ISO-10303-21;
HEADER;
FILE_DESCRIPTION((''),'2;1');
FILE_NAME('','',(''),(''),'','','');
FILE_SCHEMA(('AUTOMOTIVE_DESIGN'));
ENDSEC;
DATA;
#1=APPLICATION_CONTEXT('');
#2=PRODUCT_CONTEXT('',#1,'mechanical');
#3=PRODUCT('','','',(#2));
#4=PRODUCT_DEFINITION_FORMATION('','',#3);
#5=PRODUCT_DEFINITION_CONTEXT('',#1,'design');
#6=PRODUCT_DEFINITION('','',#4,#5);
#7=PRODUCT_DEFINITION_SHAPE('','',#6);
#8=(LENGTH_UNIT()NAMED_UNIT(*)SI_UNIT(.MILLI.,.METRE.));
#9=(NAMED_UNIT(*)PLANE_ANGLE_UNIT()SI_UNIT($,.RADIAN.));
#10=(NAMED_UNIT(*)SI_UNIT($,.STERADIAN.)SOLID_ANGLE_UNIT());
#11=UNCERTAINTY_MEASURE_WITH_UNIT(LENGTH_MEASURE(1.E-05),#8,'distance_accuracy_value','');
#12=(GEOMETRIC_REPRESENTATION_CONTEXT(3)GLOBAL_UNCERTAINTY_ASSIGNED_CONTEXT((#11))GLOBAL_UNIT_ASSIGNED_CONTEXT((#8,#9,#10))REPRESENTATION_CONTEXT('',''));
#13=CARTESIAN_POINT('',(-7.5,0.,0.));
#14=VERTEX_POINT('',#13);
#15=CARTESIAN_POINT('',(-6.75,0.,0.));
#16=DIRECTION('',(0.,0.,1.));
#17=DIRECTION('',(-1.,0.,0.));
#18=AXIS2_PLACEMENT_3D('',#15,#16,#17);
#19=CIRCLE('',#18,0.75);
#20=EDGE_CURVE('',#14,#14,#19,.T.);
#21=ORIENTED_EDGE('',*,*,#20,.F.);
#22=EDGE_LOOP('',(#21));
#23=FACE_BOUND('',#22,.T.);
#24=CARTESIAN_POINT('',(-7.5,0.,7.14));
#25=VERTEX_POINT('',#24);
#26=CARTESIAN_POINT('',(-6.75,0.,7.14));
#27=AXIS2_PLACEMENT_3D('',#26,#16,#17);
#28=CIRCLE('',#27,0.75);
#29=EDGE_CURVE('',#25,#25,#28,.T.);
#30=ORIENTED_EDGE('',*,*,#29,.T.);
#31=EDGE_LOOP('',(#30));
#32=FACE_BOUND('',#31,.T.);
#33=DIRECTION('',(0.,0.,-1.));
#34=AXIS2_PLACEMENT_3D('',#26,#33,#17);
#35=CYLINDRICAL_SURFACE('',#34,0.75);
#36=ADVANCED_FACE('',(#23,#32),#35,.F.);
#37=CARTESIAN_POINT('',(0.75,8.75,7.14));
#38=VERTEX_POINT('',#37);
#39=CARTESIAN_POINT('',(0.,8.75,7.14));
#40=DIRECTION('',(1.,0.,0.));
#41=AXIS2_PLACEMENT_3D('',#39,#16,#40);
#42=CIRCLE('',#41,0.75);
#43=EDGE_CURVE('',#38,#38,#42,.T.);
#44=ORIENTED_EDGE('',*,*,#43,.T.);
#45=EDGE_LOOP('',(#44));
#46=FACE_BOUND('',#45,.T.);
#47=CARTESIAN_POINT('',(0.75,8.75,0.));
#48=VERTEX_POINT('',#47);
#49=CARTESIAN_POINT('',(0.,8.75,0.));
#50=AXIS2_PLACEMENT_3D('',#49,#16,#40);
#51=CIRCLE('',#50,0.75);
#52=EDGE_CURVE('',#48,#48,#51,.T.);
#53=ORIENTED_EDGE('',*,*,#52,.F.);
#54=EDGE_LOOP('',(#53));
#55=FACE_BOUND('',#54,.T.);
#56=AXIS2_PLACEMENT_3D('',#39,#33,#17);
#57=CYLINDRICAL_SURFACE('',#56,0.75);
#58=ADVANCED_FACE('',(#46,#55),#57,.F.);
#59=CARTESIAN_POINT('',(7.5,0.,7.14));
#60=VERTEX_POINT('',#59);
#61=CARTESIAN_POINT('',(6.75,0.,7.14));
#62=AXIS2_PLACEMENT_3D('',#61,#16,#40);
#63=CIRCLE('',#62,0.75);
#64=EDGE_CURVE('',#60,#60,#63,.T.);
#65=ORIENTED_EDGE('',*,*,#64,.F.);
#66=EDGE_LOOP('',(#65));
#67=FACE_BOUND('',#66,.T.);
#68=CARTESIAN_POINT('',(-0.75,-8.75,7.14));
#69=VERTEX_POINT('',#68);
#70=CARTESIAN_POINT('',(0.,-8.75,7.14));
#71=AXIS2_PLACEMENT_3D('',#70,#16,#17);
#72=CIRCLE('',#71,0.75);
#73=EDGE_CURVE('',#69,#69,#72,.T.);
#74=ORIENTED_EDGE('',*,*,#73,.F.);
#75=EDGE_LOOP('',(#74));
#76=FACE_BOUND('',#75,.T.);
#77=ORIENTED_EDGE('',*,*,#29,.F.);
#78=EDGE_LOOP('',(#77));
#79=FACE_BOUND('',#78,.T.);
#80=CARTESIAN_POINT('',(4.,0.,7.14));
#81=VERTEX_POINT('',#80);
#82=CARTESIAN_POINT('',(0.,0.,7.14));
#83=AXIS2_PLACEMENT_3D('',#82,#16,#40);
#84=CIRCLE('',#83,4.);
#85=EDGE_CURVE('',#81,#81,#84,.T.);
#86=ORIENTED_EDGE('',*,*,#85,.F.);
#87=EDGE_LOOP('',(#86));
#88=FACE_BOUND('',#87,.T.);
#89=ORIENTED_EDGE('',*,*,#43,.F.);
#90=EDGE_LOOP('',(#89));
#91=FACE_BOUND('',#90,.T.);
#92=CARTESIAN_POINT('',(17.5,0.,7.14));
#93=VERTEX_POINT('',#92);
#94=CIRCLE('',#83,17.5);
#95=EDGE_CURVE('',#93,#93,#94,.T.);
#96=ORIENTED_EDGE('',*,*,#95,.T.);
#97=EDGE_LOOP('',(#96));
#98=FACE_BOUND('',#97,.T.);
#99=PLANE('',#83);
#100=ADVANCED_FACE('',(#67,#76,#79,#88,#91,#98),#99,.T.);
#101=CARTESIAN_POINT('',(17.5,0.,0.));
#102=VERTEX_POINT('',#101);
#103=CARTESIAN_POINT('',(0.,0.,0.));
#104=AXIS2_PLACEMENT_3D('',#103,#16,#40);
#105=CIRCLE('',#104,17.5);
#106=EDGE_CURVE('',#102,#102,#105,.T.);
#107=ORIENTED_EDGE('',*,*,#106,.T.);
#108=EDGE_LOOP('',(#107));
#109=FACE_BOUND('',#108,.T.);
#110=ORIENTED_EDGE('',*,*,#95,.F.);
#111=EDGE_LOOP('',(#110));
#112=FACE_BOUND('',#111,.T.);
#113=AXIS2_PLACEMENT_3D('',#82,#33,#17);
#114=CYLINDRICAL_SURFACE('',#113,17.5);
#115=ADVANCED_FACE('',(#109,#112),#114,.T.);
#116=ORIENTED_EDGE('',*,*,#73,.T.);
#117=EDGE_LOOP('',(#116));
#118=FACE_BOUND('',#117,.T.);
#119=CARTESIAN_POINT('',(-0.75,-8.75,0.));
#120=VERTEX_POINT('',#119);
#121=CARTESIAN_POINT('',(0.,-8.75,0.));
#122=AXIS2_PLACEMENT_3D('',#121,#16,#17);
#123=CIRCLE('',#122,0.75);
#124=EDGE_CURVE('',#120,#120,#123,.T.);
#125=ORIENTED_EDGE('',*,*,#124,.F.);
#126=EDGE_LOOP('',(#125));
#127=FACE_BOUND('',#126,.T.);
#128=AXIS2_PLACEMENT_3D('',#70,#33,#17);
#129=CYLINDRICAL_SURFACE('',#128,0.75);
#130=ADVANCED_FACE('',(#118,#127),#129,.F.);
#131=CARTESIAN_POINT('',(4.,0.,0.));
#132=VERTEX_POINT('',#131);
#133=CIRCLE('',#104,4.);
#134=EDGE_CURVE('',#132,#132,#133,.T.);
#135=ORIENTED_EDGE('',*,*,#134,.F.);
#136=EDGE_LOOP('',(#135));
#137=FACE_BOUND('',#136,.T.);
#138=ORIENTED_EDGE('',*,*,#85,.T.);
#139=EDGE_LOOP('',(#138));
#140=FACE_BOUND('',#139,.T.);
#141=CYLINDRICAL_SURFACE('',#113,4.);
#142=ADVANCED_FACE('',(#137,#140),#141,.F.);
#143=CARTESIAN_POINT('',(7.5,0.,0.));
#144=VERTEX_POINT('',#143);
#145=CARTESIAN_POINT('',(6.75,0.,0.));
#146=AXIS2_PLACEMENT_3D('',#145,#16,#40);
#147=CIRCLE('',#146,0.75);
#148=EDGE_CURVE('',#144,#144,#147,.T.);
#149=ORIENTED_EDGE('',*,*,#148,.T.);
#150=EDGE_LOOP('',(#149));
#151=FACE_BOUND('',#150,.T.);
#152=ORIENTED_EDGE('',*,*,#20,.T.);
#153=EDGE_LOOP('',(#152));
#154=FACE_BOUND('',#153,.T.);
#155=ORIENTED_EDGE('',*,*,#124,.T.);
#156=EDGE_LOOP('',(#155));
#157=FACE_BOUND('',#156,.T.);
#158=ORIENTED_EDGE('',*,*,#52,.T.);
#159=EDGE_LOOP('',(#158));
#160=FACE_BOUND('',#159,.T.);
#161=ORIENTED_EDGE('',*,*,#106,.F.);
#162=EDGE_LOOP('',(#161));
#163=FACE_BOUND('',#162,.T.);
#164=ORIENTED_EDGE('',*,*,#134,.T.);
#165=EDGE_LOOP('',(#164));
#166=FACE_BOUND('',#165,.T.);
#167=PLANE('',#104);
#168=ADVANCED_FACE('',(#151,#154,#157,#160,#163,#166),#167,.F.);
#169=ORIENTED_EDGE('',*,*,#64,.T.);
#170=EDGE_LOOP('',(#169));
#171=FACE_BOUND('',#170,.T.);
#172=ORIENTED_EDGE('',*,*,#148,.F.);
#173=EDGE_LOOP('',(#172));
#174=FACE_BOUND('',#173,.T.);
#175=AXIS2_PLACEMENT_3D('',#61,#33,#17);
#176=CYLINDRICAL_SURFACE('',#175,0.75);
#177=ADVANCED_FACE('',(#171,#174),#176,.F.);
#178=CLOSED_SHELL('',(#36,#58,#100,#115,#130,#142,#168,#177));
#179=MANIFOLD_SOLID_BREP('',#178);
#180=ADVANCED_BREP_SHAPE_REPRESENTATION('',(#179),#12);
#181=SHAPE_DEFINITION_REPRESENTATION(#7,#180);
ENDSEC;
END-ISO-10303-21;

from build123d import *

# Parameters (mm, degrees)
SKETCH_1_R      = 17.5
SKETCH_1_R_2    = 4
SKETCH_1_R_3    = 0.75
EXTRUDE_1_DEPTH = 7.14


with BuildPart() as part:
    # 草图1 → 凸台-拉伸1 (new body)
    with BuildSketch(Plane.XY):
        Circle(SKETCH_1_R)
        Circle(SKETCH_1_R_2, mode=Mode.SUBTRACT)
        with Locations((6.75, 0)):
            Circle(SKETCH_1_R_3, mode=Mode.SUBTRACT)
        with Locations((0, 8.75)):
            Circle(SKETCH_1_R_3, mode=Mode.SUBTRACT)
        with Locations(Location((-6.75, 0, 0), (0, 0, 180))):
            Circle(SKETCH_1_R_3, mode=Mode.SUBTRACT)
        with Locations(Location((0, -8.75, 0), (0, 0, 180))):
            Circle(SKETCH_1_R_3, mode=Mode.SUBTRACT)
    extrude(amount=EXTRUDE_1_DEPTH)


solid = part.part
